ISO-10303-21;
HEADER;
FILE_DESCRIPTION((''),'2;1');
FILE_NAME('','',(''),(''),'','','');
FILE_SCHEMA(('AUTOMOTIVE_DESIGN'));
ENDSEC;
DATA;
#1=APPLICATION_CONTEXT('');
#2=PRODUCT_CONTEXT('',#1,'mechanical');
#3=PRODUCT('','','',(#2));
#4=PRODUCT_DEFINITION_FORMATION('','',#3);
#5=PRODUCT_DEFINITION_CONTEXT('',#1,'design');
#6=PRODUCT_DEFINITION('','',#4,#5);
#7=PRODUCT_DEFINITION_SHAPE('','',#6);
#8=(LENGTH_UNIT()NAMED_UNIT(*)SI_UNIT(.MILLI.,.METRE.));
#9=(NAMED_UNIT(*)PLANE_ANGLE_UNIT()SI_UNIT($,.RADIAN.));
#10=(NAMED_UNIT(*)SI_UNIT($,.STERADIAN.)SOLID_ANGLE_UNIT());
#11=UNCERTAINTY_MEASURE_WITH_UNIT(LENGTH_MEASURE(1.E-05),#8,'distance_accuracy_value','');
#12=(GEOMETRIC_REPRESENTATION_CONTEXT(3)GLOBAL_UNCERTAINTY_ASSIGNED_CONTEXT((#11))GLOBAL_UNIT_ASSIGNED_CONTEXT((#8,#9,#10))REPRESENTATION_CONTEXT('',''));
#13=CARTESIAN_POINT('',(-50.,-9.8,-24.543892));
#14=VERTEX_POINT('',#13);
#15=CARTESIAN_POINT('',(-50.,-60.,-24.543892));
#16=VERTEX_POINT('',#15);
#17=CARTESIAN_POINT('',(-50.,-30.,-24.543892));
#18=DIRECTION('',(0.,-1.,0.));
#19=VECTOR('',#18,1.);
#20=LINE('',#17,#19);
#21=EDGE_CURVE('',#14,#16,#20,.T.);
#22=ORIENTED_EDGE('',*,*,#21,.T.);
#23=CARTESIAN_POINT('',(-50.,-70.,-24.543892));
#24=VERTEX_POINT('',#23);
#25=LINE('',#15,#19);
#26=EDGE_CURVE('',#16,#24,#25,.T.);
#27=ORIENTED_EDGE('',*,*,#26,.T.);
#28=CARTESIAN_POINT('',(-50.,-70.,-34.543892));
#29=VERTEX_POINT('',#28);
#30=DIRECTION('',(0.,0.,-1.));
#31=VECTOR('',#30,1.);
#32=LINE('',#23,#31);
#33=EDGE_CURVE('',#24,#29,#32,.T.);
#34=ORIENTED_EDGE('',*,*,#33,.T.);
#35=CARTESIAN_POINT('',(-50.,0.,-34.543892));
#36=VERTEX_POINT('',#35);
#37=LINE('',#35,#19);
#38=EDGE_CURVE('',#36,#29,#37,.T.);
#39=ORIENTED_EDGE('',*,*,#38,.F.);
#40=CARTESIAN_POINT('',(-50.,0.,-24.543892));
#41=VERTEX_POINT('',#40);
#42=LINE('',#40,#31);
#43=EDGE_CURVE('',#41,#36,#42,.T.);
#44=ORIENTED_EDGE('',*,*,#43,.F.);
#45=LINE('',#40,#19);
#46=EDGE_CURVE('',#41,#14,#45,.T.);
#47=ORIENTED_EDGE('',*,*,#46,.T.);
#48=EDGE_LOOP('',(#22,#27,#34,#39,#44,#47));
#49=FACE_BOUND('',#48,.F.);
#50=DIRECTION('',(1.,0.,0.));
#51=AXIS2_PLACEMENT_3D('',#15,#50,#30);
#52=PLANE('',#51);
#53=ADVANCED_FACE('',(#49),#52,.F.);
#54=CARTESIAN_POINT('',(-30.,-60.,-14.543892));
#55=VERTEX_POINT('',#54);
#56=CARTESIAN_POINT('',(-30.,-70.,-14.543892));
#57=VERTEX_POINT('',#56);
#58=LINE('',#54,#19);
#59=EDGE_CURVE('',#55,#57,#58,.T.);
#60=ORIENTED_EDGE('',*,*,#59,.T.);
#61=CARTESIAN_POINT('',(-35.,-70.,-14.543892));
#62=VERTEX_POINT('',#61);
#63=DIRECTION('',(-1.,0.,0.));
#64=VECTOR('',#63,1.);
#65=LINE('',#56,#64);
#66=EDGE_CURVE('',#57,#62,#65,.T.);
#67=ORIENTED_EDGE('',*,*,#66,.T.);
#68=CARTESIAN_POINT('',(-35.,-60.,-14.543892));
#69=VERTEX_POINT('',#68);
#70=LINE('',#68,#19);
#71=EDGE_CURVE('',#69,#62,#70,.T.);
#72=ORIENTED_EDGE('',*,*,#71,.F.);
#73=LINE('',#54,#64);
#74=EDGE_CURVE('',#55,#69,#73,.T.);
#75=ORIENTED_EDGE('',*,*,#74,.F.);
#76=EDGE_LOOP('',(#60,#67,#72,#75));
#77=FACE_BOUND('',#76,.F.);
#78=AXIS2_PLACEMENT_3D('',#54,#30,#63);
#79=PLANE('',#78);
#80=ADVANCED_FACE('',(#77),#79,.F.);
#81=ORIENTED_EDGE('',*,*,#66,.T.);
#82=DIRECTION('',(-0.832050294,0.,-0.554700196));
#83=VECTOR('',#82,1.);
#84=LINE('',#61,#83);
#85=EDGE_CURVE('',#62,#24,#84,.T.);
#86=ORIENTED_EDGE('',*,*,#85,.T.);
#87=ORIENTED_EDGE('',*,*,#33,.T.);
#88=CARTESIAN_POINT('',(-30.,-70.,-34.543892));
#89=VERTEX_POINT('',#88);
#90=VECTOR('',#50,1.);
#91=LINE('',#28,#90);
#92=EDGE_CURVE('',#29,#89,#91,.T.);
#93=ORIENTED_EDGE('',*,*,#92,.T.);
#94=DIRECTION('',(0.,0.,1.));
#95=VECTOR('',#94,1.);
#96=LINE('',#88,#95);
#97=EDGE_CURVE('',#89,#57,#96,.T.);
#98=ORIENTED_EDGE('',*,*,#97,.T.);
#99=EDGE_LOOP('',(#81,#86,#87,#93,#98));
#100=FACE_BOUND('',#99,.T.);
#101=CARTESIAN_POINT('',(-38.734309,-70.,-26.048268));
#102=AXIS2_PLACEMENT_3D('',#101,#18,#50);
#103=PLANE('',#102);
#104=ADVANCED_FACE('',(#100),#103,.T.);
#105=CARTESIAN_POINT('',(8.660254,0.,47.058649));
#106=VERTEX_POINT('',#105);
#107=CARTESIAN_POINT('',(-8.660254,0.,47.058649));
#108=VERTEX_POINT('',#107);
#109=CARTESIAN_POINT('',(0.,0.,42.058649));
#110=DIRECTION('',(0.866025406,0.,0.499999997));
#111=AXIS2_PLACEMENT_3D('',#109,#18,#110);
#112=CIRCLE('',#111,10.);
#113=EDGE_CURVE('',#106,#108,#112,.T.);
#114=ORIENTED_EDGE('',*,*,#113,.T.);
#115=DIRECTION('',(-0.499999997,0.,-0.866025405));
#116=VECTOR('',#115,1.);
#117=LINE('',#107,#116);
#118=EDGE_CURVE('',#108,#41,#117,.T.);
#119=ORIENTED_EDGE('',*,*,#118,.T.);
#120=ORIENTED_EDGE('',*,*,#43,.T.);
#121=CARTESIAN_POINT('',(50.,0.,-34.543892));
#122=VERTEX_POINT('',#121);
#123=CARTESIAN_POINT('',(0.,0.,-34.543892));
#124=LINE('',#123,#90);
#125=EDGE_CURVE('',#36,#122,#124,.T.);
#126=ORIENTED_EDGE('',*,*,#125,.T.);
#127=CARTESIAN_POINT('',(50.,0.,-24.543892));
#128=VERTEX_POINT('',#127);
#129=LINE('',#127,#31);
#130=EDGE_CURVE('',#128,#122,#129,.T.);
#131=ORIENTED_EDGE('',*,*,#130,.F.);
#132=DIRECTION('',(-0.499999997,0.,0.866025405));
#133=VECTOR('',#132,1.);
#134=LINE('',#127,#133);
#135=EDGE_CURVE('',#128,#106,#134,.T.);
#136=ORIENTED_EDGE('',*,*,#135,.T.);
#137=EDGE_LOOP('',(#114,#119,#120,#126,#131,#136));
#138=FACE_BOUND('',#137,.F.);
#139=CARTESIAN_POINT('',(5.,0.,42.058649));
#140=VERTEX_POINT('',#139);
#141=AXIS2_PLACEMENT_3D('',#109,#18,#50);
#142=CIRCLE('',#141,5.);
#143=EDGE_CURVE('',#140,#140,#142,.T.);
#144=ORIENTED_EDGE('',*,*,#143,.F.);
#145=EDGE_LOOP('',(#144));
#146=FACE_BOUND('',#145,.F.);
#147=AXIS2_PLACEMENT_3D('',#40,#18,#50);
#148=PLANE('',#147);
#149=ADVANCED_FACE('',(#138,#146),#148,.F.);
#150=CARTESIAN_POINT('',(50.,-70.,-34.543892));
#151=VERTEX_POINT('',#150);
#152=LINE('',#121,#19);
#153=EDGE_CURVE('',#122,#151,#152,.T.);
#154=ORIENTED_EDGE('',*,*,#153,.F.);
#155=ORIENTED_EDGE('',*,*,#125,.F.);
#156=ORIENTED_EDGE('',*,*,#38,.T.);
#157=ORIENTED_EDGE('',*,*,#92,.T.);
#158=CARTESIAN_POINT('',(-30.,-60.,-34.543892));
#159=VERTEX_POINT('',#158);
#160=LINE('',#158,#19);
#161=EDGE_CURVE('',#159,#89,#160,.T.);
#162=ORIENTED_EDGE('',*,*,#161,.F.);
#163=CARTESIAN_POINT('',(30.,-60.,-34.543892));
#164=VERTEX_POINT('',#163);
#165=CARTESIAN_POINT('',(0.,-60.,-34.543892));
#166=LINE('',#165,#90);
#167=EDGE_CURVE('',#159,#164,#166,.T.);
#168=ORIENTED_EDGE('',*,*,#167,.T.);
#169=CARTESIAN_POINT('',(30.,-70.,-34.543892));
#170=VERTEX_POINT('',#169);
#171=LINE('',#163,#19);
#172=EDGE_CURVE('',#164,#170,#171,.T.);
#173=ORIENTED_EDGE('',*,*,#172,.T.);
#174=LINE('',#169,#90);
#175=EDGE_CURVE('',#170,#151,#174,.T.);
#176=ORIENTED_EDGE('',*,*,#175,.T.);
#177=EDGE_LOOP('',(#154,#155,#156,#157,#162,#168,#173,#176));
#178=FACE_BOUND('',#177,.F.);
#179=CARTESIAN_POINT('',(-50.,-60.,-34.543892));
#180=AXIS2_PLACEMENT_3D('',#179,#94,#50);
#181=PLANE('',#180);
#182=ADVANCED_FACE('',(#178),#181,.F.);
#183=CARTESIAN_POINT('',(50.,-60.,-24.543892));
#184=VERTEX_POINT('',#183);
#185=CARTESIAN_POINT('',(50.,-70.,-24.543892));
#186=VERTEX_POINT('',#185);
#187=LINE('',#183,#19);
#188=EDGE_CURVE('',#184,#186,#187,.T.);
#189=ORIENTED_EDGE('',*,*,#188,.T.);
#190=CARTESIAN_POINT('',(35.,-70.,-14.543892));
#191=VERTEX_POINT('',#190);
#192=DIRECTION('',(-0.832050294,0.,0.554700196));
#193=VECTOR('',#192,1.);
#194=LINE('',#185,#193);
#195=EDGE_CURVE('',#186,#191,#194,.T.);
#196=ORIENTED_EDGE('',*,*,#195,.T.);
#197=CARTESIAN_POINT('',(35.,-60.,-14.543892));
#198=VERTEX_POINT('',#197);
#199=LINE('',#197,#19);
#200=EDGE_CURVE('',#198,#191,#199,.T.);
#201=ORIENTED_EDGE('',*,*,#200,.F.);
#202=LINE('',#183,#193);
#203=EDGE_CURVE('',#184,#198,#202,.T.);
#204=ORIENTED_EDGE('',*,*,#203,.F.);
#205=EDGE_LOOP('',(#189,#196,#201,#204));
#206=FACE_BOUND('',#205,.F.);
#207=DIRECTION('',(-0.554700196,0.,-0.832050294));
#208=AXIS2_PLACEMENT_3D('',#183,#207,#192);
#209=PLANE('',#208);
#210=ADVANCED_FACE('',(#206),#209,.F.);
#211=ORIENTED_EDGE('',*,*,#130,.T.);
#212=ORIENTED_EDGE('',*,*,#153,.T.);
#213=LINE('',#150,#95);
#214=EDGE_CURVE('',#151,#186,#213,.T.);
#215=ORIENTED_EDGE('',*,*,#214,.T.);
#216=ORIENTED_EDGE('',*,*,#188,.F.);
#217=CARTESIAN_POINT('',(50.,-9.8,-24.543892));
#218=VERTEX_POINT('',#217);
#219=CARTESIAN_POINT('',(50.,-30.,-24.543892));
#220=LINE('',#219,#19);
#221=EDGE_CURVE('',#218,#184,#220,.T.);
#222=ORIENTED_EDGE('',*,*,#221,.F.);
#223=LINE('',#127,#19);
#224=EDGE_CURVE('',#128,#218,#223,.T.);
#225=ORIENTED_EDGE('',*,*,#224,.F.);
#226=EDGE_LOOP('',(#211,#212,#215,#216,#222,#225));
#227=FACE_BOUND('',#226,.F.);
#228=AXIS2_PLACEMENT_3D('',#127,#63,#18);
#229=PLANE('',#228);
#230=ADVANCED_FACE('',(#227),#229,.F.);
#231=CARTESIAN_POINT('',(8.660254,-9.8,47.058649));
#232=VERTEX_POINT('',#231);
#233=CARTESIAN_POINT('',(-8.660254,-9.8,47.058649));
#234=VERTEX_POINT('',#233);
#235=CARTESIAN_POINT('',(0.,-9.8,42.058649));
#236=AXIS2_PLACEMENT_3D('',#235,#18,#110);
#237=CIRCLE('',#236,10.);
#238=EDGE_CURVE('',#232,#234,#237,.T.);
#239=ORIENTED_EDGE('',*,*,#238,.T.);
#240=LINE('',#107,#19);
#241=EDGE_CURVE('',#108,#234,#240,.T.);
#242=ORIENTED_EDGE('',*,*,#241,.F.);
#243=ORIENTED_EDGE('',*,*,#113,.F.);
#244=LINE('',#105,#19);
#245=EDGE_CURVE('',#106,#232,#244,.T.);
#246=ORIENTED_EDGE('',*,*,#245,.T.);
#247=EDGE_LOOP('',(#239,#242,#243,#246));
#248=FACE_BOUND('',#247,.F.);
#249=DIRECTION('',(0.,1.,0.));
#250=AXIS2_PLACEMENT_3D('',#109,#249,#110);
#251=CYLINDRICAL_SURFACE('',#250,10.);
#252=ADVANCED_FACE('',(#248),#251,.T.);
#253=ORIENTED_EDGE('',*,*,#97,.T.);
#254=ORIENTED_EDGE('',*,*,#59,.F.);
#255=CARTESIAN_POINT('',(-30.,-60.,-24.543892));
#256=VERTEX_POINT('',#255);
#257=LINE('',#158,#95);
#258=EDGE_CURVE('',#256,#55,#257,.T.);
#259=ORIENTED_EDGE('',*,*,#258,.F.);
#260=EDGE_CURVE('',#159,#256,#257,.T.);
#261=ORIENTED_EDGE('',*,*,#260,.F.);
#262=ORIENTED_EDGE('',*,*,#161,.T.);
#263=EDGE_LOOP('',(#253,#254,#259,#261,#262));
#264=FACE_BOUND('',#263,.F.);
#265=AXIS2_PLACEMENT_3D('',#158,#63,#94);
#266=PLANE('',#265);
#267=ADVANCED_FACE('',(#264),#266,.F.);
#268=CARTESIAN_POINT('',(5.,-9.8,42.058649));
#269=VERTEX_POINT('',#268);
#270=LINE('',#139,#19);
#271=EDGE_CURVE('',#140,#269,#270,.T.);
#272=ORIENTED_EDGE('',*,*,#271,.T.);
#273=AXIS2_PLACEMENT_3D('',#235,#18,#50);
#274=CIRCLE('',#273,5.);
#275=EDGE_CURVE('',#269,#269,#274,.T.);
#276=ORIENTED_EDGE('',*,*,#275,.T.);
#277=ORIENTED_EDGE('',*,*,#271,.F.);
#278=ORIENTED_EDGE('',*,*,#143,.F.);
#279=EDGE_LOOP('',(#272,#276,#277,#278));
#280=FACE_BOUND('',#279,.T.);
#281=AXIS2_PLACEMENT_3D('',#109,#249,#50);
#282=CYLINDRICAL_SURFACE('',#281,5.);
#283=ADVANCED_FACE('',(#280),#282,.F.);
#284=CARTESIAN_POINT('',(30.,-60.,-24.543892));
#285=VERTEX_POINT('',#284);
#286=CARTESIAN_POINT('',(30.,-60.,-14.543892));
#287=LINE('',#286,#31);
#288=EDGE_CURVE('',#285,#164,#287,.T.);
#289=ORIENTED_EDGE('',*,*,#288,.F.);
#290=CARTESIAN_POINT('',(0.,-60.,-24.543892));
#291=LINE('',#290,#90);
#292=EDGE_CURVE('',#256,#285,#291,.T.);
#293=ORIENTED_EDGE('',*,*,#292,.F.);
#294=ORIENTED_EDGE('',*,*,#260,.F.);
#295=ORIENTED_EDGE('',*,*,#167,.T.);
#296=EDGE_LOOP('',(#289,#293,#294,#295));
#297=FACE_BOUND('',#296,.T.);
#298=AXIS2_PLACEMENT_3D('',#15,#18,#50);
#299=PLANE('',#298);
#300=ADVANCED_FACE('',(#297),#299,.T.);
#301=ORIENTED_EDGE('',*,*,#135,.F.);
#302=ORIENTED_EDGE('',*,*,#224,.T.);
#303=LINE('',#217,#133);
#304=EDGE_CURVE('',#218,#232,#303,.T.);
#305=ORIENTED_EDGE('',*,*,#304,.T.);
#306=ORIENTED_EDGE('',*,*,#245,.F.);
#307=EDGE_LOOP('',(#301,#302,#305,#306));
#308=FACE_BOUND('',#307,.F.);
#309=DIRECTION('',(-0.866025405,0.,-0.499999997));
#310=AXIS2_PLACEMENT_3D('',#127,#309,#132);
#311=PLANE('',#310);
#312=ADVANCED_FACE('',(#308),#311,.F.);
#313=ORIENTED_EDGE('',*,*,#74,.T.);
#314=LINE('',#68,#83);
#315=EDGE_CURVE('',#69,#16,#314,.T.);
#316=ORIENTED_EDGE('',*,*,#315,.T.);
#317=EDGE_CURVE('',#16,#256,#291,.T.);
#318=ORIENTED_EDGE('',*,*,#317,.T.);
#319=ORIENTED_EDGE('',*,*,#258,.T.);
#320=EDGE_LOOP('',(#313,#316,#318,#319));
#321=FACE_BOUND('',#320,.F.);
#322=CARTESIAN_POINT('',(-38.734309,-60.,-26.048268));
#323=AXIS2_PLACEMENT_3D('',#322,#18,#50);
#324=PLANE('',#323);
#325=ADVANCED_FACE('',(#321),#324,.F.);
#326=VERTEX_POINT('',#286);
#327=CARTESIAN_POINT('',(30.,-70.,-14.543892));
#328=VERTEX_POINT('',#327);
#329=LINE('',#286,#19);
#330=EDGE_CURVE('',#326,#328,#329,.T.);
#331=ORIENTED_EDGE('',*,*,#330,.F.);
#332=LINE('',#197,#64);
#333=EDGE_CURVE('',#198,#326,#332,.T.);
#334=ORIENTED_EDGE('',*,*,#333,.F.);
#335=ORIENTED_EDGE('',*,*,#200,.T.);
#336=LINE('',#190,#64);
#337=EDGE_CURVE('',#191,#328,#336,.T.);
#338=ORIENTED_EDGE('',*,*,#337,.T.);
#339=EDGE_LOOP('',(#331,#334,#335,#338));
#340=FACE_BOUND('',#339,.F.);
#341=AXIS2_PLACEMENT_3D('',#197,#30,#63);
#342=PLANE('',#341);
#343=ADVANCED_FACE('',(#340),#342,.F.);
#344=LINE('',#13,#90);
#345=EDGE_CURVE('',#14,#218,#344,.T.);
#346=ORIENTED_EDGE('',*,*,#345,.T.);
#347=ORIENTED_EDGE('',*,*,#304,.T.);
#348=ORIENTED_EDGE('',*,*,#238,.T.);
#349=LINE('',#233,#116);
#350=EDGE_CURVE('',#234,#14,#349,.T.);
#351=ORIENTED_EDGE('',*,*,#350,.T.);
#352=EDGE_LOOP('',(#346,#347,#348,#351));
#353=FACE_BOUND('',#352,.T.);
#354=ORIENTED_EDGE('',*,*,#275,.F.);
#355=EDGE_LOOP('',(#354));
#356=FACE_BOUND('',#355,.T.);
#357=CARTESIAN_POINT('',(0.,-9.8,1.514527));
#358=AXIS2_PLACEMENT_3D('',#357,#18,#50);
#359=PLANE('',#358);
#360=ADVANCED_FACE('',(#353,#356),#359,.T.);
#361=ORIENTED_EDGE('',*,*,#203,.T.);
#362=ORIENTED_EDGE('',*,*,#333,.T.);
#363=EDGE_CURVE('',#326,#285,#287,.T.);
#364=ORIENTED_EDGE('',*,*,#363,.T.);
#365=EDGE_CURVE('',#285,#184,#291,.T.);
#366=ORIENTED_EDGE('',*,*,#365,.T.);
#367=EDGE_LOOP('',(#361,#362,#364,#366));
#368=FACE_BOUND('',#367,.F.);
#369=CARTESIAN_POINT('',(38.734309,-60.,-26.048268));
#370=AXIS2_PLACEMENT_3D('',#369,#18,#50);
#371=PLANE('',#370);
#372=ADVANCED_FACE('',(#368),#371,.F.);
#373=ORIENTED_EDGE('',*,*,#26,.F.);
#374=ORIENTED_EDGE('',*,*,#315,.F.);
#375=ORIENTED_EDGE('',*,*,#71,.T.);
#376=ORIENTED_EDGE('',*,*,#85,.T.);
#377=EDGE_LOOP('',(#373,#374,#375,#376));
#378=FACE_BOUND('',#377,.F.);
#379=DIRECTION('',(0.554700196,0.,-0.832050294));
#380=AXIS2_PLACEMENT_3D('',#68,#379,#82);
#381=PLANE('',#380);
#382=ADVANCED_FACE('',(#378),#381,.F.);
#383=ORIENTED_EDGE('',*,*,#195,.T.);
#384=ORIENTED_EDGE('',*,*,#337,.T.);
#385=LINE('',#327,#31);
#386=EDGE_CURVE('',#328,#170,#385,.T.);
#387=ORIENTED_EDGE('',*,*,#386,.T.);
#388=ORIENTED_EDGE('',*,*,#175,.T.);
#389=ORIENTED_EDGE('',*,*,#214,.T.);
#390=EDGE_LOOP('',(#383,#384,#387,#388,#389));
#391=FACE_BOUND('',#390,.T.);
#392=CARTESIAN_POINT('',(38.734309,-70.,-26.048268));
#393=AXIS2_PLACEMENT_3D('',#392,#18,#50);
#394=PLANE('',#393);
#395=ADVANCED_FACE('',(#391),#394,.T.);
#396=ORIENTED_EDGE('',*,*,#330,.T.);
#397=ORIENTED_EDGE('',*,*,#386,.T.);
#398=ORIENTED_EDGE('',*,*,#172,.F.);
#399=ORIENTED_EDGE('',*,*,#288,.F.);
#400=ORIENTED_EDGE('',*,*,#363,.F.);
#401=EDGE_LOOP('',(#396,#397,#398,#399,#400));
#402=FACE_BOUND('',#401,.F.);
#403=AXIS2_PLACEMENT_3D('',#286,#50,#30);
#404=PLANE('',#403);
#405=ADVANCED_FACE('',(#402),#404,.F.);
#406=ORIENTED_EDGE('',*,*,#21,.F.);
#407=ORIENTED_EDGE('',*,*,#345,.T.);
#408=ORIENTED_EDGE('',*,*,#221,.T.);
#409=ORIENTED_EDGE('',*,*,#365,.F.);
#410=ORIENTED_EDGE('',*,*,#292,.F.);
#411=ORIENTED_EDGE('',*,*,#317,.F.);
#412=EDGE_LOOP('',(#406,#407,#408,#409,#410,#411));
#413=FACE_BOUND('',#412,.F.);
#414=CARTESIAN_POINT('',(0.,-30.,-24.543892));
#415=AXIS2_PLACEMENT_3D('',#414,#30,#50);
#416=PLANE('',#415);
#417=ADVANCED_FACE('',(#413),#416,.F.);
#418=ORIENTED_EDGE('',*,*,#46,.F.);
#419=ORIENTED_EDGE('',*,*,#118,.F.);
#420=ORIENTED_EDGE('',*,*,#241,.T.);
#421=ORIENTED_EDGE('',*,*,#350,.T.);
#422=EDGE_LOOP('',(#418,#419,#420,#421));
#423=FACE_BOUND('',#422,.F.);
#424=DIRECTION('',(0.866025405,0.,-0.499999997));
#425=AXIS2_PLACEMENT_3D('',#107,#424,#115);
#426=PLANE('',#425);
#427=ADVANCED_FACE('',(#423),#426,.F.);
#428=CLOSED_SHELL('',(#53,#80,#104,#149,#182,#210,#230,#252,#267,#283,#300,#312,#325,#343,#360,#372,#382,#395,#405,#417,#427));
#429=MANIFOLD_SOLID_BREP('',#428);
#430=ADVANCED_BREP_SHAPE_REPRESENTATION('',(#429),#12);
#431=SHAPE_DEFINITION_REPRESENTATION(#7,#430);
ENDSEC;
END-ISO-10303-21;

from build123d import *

# Parameters (mm, degrees)
F0_R     = 5
F1_DEPTH = 9.8
F2_W     = 100
F2_H     = 60
F3_DEPTH = 10
F5_DEPTH = 10


with BuildPart() as f1:
    # F0 (on Front) → F1 (new body)
    with BuildSketch(Plane.XZ):
        with BuildLine():
            Line((50, -24.543892), (8.660254, 47.058649))
            ThreePointArc((8.660254, 47.058649), (0, 52.058649), (-8.660254, 47.058649))
            Line((-8.660254, 47.058649), (-50, -24.543892))
            Line((-50, -24.543892), (50, -24.543892))
        make_face()
        with Locations((0, 42.058649)):
            Circle(F0_R, mode=Mode.SUBTRACT)
    extrude(amount=F1_DEPTH)

    # F2 (on face) → F3 (join)
    with BuildSketch(Plane(origin=(0, 0, -24.543892), x_dir=(1, 0, 0), z_dir=(0, 0, -1))):
        with Locations((0, 30)):
            Rectangle(F2_W, F2_H)
    extrude(amount=F3_DEPTH)

    # F4 (on face) → F5 (join)
    with BuildSketch(Plane.XZ.offset(60)):
        Polygon((-35, -14.543892), (-50, -24.543892), (-50, -34.543892), (-30, -34.543892), (-30, -14.543892), align=None)
        Polygon((50, -34.543892), (50, -24.543892), (35, -14.543892), (30, -14.543892), (30, -34.543892), align=None)
    extrude(amount=F5_DEPTH)


solid = f1.part
